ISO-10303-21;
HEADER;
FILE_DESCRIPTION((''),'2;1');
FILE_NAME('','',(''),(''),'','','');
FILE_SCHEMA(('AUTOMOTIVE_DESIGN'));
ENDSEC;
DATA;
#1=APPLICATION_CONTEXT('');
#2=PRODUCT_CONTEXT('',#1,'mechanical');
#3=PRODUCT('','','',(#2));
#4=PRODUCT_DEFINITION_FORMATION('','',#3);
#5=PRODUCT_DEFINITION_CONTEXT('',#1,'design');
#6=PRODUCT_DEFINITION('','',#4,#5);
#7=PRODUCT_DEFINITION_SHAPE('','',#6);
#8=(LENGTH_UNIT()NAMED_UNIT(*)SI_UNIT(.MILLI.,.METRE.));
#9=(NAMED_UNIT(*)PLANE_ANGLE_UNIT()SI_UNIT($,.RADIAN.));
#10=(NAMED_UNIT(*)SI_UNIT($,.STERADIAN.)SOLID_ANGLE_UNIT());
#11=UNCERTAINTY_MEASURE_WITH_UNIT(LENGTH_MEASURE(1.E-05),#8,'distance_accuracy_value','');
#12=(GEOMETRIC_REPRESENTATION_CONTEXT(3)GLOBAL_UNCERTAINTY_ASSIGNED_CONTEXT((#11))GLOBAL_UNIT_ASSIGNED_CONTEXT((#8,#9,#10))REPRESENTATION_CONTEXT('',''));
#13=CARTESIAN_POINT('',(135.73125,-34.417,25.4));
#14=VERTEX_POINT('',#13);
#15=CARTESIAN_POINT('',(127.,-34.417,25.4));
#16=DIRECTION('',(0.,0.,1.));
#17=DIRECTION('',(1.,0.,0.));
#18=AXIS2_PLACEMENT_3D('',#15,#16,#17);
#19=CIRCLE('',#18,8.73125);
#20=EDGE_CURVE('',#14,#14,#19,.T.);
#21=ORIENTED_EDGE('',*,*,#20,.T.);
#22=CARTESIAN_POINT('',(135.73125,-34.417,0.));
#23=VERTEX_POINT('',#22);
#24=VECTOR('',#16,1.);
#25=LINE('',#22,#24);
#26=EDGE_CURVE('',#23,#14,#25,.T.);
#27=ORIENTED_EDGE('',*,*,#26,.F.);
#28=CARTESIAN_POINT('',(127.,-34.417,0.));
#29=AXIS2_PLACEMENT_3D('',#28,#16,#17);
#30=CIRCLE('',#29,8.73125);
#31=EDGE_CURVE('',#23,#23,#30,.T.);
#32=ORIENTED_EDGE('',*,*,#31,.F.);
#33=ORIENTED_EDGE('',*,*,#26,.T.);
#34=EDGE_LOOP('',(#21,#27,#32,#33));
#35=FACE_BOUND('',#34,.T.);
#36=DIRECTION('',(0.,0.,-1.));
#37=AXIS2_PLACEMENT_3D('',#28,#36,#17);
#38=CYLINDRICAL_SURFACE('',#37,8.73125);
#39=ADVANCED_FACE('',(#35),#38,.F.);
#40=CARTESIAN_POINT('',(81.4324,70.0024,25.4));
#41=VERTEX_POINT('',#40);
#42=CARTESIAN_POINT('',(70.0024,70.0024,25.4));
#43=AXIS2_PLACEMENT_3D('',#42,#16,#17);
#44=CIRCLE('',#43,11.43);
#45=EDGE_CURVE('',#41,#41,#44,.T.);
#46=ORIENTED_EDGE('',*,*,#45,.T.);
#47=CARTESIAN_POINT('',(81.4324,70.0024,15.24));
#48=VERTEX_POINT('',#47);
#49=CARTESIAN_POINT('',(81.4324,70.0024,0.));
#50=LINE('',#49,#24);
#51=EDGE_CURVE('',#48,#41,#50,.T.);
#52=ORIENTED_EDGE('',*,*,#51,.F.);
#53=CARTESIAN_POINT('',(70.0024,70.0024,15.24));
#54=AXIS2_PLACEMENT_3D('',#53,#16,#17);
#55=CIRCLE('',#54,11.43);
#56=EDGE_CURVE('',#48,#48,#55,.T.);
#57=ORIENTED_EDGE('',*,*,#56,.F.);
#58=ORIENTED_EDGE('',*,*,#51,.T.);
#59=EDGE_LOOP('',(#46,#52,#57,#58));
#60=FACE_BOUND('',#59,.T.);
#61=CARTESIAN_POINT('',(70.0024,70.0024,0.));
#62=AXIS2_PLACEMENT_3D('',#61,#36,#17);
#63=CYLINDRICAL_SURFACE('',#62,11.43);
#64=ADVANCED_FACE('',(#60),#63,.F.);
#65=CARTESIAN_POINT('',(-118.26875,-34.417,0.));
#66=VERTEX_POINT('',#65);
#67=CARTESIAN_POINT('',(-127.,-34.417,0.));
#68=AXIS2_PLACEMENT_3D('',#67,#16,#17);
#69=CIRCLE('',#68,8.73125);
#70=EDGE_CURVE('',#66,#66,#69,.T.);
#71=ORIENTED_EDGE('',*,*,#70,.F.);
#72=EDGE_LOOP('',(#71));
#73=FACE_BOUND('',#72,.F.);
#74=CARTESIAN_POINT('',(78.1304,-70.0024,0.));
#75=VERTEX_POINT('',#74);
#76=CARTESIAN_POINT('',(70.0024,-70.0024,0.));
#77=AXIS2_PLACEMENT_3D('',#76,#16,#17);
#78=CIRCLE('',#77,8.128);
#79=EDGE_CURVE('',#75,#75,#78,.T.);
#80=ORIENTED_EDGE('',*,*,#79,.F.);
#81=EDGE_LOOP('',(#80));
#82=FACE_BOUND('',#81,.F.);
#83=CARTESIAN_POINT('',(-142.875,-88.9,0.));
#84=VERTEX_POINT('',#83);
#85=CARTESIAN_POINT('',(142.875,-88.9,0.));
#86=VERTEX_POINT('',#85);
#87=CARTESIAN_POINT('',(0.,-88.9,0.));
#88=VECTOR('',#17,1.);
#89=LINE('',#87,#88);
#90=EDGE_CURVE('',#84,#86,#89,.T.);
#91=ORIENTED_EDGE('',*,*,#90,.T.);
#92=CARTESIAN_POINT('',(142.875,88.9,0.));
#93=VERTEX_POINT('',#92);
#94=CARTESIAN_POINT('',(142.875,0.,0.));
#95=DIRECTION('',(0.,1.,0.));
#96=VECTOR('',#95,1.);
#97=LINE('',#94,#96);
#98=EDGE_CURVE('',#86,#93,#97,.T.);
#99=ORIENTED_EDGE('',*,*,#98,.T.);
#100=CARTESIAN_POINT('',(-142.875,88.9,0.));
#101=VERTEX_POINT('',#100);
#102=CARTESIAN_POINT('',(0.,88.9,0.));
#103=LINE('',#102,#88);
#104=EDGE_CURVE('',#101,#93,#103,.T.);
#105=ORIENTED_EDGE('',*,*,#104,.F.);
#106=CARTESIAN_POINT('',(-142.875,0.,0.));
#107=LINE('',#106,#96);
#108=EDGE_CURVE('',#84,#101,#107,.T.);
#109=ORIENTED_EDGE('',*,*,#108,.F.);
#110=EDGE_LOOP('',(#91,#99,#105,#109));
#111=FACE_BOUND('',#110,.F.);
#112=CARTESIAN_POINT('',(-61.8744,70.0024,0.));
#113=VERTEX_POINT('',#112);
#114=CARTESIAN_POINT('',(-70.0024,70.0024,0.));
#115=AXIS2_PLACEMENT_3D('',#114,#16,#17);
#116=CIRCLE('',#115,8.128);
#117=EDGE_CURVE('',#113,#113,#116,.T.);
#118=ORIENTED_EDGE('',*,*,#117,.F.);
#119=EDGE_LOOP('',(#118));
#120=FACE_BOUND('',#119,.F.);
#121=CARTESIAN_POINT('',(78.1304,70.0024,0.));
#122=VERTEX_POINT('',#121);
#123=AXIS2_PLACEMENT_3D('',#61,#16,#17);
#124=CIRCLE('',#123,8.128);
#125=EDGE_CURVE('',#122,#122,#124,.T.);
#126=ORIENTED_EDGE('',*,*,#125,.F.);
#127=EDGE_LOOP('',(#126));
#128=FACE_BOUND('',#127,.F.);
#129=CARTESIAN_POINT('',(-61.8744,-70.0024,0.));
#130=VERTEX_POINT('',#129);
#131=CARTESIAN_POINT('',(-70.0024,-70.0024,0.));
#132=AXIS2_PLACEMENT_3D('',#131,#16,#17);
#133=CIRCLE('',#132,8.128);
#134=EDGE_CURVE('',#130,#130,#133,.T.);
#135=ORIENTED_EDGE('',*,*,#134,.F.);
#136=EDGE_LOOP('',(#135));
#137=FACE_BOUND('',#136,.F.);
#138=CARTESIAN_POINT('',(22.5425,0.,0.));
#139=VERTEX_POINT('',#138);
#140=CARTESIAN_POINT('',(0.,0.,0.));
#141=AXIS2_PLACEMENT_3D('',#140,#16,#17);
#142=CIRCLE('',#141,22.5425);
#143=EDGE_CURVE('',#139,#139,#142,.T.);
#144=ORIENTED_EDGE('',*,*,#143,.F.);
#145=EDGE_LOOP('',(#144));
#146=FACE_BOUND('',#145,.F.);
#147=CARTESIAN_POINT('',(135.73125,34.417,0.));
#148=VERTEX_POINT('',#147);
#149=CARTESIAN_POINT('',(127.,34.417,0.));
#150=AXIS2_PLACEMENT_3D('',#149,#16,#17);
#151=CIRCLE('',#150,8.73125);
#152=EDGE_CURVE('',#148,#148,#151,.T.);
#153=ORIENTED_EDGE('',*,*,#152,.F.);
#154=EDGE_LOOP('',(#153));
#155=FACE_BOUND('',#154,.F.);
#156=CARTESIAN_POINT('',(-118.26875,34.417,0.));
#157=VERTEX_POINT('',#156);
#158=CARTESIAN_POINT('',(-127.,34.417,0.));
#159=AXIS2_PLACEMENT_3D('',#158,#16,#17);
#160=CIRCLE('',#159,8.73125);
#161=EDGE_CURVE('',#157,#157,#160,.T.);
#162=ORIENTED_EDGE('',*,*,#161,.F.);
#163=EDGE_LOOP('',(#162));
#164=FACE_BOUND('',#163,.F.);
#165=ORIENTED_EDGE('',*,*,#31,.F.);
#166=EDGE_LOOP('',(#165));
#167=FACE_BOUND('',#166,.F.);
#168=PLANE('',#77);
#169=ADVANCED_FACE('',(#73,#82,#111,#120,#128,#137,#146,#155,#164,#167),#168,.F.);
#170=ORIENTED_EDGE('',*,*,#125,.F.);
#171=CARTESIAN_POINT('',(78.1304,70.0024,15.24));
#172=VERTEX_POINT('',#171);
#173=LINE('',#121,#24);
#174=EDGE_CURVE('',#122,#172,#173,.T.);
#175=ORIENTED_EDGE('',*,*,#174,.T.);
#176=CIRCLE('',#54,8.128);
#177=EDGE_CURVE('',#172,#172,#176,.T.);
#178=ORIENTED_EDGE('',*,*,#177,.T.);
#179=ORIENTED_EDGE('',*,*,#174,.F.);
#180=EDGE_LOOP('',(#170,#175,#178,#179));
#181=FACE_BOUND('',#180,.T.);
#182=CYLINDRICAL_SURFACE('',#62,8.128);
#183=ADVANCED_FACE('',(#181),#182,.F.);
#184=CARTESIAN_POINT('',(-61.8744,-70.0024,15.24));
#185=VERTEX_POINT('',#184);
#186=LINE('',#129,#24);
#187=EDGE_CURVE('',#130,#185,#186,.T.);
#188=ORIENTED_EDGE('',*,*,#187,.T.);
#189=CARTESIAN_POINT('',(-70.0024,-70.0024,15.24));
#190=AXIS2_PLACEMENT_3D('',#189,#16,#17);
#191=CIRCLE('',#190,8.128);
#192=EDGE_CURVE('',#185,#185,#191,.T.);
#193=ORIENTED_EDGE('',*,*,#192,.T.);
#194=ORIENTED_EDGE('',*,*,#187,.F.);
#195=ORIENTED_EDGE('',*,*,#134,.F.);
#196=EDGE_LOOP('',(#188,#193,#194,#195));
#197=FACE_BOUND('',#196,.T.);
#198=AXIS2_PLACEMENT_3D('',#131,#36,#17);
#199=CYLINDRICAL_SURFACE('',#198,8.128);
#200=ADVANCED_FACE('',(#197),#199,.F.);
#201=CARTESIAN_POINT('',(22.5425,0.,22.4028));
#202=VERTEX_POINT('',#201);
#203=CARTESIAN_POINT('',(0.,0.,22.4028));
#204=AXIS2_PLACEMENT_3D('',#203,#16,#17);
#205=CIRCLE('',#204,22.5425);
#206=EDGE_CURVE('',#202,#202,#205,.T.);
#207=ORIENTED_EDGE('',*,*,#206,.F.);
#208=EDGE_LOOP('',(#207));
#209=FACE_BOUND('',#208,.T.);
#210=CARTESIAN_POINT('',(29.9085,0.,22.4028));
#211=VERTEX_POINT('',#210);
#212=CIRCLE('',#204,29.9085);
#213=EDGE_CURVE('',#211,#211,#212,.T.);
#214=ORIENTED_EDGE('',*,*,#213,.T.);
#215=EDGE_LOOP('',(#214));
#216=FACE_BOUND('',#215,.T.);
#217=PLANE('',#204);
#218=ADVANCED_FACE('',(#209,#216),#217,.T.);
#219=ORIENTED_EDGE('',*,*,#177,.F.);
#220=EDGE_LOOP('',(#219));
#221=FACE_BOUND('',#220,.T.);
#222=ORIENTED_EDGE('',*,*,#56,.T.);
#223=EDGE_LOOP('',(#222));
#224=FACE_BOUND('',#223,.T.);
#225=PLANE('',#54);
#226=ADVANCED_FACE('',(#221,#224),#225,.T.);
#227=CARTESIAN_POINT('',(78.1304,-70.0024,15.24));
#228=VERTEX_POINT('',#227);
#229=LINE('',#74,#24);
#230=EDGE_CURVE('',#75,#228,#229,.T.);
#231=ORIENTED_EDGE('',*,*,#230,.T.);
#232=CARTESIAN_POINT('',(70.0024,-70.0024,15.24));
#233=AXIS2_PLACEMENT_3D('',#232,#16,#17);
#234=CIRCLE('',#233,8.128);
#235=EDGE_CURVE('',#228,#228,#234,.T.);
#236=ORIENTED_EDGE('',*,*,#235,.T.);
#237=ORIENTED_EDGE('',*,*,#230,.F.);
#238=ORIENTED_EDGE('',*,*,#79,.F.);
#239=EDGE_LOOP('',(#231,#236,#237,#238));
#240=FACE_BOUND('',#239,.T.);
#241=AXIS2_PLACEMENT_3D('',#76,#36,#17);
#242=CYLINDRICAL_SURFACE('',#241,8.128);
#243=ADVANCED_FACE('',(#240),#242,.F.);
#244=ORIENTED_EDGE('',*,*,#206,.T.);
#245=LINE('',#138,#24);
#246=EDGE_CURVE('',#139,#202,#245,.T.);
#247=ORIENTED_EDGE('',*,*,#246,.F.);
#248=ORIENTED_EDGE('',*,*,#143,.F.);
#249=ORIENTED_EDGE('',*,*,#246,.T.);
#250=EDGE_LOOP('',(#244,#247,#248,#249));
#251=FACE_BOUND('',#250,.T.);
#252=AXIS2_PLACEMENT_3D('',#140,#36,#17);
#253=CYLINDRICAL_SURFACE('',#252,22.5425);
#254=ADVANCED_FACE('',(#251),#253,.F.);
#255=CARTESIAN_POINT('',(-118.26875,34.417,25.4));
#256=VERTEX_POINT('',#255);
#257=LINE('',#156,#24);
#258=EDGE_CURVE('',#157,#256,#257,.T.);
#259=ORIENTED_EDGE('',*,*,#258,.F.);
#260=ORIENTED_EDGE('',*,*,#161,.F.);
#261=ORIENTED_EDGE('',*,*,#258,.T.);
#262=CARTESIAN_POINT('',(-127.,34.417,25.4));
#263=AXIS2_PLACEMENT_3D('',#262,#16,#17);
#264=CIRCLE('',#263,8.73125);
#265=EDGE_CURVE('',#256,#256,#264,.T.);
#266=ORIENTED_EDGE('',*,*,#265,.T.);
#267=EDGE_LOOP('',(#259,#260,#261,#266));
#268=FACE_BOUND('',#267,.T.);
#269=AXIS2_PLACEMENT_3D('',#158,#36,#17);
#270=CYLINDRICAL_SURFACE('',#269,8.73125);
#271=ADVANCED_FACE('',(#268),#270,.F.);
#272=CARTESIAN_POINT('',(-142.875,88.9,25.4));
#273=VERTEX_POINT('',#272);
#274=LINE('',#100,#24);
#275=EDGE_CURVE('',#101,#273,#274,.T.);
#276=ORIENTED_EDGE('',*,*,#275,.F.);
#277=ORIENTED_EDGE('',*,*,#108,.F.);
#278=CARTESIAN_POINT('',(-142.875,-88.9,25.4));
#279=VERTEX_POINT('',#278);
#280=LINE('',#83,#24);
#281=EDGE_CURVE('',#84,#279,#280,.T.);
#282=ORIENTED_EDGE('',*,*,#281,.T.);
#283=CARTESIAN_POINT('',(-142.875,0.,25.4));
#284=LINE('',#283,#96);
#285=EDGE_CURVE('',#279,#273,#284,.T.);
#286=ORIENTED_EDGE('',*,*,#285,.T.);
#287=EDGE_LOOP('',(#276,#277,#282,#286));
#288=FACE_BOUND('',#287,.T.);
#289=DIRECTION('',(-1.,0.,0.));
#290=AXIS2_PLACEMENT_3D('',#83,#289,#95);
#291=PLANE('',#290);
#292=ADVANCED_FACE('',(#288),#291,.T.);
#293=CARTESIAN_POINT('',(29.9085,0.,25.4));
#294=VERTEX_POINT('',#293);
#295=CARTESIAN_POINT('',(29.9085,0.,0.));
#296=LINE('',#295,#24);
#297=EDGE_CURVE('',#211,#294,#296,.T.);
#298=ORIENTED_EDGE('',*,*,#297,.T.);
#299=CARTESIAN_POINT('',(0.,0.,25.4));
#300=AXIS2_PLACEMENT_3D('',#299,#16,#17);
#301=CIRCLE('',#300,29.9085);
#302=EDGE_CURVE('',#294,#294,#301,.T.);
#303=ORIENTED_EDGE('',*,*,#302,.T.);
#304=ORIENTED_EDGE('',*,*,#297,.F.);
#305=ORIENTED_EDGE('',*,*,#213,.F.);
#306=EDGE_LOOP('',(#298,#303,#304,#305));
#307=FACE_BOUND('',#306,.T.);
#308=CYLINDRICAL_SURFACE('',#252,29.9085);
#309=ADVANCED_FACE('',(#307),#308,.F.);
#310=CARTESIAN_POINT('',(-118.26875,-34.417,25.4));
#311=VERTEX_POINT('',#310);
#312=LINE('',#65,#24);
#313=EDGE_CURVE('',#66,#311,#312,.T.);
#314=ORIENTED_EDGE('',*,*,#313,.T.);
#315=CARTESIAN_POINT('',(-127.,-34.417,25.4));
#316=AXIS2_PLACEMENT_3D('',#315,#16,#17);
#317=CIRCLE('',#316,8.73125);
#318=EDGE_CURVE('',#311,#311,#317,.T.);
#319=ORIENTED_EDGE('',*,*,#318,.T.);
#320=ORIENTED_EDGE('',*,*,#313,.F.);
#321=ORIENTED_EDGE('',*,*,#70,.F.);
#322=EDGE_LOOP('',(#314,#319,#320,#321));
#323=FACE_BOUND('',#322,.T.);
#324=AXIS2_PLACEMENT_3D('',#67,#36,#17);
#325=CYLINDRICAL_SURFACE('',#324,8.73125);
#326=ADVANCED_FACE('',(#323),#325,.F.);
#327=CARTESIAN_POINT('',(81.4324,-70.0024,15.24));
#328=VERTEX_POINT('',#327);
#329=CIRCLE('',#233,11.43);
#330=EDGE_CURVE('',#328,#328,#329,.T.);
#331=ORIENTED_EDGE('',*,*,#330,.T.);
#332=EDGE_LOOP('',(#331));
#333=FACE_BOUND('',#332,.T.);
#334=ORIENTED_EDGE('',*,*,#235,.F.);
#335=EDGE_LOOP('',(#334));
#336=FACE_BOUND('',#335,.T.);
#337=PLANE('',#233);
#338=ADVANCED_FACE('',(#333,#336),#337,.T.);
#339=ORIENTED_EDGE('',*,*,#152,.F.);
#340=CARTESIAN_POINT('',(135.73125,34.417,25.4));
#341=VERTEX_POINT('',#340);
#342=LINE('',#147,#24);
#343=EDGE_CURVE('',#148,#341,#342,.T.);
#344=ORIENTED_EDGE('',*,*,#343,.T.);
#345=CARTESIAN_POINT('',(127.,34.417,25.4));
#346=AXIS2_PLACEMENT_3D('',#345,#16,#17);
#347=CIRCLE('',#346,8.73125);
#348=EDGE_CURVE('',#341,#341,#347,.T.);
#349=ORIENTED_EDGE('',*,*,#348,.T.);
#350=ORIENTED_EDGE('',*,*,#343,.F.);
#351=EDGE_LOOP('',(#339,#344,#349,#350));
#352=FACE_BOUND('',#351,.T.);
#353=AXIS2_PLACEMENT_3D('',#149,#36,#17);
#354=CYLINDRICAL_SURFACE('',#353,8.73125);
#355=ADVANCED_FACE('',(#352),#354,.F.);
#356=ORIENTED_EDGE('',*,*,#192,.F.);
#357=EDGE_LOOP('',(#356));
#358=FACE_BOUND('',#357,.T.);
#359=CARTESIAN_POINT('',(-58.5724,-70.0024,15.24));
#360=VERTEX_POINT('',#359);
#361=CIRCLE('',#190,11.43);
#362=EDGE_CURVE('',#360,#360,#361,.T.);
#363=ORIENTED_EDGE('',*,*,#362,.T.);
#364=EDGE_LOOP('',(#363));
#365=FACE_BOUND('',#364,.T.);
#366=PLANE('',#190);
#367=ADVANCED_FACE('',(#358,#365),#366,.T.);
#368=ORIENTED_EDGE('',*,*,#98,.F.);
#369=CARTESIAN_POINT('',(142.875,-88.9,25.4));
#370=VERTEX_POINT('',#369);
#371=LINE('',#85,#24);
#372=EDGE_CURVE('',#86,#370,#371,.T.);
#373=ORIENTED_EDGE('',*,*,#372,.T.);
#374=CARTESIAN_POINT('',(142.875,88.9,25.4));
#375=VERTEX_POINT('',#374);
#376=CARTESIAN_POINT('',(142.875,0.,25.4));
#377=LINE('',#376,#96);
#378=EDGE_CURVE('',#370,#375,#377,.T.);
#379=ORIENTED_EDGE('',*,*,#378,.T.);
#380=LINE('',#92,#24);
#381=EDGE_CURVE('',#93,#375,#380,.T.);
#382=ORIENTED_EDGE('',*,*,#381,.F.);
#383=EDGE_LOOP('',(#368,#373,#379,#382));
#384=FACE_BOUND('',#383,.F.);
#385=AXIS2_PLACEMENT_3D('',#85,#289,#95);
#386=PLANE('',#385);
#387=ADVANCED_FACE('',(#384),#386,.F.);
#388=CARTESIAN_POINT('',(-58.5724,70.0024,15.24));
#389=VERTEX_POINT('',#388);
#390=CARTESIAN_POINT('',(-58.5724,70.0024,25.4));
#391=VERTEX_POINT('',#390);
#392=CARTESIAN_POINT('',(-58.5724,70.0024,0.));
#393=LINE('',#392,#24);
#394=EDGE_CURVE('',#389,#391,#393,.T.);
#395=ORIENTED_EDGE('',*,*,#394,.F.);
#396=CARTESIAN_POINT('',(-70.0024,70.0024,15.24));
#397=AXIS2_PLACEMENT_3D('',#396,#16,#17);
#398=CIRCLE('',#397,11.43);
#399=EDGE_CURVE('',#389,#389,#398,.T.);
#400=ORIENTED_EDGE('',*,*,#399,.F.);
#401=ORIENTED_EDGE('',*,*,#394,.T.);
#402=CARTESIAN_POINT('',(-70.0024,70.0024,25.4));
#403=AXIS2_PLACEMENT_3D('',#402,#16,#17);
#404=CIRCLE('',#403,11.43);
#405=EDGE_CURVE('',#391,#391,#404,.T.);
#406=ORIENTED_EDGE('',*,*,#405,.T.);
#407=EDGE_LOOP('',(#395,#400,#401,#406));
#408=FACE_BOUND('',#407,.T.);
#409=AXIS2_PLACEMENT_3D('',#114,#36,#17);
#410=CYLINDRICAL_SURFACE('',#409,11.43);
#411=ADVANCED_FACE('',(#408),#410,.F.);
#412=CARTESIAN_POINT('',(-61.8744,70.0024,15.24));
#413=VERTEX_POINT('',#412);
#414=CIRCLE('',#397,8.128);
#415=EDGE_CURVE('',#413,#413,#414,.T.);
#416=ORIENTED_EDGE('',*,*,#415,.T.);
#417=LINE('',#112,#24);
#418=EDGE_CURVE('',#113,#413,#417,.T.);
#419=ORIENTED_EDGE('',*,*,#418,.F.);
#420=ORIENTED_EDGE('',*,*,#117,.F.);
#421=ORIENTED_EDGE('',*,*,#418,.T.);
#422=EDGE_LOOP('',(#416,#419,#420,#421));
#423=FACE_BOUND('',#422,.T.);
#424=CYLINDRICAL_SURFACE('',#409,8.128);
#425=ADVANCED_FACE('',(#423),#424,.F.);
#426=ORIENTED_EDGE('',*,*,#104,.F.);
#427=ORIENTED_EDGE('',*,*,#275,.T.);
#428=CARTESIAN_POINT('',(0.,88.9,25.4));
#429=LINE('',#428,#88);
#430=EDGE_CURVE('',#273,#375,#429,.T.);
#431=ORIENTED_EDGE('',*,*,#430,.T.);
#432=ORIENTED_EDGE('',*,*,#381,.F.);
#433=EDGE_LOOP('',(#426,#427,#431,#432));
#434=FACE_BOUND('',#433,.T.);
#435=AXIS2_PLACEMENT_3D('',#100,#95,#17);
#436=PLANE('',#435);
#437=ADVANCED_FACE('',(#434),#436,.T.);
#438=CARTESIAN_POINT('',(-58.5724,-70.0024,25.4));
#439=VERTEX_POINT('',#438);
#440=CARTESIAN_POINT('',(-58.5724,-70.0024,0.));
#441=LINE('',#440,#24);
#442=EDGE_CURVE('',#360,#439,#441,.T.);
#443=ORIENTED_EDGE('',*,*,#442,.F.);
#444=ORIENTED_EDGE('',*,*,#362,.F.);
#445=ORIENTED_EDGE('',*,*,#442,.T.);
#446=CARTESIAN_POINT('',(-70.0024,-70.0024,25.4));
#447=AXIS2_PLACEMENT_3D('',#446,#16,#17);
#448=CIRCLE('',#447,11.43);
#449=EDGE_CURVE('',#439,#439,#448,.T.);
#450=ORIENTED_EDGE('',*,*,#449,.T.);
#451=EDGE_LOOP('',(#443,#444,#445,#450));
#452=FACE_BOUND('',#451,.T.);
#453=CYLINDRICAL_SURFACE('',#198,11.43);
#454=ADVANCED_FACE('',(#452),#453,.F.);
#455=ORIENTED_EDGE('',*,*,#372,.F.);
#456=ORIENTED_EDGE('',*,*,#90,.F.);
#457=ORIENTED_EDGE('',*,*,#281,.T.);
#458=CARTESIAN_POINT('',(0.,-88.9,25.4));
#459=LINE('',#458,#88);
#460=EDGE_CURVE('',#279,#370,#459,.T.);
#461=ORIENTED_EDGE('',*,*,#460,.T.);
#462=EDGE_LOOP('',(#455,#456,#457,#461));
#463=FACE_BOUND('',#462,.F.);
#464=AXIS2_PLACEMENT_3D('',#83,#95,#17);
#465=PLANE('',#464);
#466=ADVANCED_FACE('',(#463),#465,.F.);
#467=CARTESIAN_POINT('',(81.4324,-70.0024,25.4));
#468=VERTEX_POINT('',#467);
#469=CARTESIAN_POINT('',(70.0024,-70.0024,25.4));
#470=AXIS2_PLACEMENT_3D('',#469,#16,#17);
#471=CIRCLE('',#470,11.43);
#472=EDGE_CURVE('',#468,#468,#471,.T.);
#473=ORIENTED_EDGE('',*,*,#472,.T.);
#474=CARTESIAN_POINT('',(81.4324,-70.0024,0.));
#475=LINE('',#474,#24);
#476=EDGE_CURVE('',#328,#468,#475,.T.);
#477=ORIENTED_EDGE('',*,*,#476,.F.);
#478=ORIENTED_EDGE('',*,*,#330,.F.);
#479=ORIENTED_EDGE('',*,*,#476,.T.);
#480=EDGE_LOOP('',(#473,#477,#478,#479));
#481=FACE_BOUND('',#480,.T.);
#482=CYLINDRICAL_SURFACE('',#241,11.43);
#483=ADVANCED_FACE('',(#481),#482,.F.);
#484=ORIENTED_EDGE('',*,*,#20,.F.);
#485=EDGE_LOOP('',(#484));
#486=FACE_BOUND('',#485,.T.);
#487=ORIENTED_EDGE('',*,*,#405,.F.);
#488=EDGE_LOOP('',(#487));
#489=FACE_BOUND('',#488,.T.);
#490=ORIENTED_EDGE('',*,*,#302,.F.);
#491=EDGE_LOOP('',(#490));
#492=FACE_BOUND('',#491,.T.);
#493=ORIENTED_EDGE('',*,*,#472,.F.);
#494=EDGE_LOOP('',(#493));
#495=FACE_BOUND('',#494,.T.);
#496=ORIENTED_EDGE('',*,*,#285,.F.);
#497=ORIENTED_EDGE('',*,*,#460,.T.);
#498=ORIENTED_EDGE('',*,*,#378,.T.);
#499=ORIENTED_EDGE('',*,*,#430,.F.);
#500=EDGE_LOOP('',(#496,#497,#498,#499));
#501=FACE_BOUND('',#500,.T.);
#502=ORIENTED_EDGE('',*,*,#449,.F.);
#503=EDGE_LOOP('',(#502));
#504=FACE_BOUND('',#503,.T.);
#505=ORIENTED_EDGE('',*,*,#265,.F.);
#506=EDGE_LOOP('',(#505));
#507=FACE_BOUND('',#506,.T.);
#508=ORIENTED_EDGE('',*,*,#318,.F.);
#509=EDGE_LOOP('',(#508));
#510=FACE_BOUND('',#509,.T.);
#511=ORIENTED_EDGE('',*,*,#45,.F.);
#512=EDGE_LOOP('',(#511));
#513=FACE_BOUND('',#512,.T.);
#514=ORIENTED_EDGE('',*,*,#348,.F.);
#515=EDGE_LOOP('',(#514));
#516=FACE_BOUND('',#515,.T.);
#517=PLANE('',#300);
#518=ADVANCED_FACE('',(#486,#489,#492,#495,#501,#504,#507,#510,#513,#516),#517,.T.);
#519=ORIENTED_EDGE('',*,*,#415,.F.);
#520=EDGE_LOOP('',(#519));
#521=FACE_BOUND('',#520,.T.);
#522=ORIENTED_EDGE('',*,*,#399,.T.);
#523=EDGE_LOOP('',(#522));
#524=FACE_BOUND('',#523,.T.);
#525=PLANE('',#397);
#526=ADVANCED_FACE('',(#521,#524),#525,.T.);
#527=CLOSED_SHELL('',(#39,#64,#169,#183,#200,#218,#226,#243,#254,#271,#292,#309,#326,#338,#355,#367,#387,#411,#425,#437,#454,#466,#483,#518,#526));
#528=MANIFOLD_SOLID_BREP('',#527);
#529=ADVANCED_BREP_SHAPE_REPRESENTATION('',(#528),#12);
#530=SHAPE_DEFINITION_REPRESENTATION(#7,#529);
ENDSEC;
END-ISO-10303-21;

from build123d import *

# Parameters (mm, degrees)
F0_W     = 285.75
F0_H     = 177.8
F0_R     = 11.43
F0_R_2   = 8.73125
F0_R_3   = 29.9085
F1_DEPTH = 25.4
F0_R_4   = 22.5425
F2_DEPTH = 22.4028
F0_R_5   = 8.128
F3_DEPTH = 15.24
F4_DEPTH = 15.24
F5_DEPTH = 15.24
F6_DEPTH = 15.24


with BuildPart() as f1:
    # F0 (on Top) → F1 (new body)
    with BuildSketch(Plane.XY):
        Rectangle(F0_W, F0_H)
        with Locations((-70.0024, -70.0024)):
            Circle(F0_R, mode=Mode.SUBTRACT)
        with Locations((-127, -34.417)):
            Circle(F0_R_2, mode=Mode.SUBTRACT)
        with Locations((70.0024, -70.0024)):
            Circle(F0_R, mode=Mode.SUBTRACT)
        with Locations((127, -34.417)):
            Circle(F0_R_2, mode=Mode.SUBTRACT)
        with Locations((-127, 34.417)):
            Circle(F0_R_2, mode=Mode.SUBTRACT)
        with Locations((-70.0024, 70.0024)):
            Circle(F0_R, mode=Mode.SUBTRACT)
        Circle(F0_R_3, mode=Mode.SUBTRACT)
        with Locations((127, 34.417)):
            Circle(F0_R_2, mode=Mode.SUBTRACT)
        with Locations((70.0024, 70.0024)):
            Circle(F0_R, mode=Mode.SUBTRACT)
    extrude(amount=F1_DEPTH)

    # F0 (on Top) → F2 (join)
    with BuildSketch(Plane.XY):
        Circle(F0_R_3)
        Circle(F0_R_4, mode=Mode.SUBTRACT)
    extrude(amount=F2_DEPTH)

    # F0 (on Top) → F3 (join)
    with BuildSketch(Plane.XY):
        with Locations((-70.0024, 70.0024)):
            Circle(F0_R)
        with Locations((-70.0024, 70.0024)):
            Circle(F0_R_5, mode=Mode.SUBTRACT)
    extrude(amount=F3_DEPTH)

    # F0 (on Top) → F4 (join)
    with BuildSketch(Plane.XY):
        with Locations((70.0024, 70.0024)):
            Circle(F0_R)
        with Locations((70.0024, 70.0024)):
            Circle(F0_R_5, mode=Mode.SUBTRACT)
    extrude(amount=F4_DEPTH)

    # F0 (on Top) → F5 (join)
    with BuildSketch(Plane.XY):
        with Locations((-70.0024, -70.0024)):
            Circle(F0_R)
        with Locations((-70.0024, -70.0024)):
            Circle(F0_R_5, mode=Mode.SUBTRACT)
    extrude(amount=F5_DEPTH)

    # F0 (on Top) → F6 (join)
    with BuildSketch(Plane.XY):
        with Locations((70.0024, -70.0024)):
            Circle(F0_R)
        with Locations((70.0024, -70.0024)):
            Circle(F0_R_5, mode=Mode.SUBTRACT)
    extrude(amount=F6_DEPTH)


solid = f1.part
